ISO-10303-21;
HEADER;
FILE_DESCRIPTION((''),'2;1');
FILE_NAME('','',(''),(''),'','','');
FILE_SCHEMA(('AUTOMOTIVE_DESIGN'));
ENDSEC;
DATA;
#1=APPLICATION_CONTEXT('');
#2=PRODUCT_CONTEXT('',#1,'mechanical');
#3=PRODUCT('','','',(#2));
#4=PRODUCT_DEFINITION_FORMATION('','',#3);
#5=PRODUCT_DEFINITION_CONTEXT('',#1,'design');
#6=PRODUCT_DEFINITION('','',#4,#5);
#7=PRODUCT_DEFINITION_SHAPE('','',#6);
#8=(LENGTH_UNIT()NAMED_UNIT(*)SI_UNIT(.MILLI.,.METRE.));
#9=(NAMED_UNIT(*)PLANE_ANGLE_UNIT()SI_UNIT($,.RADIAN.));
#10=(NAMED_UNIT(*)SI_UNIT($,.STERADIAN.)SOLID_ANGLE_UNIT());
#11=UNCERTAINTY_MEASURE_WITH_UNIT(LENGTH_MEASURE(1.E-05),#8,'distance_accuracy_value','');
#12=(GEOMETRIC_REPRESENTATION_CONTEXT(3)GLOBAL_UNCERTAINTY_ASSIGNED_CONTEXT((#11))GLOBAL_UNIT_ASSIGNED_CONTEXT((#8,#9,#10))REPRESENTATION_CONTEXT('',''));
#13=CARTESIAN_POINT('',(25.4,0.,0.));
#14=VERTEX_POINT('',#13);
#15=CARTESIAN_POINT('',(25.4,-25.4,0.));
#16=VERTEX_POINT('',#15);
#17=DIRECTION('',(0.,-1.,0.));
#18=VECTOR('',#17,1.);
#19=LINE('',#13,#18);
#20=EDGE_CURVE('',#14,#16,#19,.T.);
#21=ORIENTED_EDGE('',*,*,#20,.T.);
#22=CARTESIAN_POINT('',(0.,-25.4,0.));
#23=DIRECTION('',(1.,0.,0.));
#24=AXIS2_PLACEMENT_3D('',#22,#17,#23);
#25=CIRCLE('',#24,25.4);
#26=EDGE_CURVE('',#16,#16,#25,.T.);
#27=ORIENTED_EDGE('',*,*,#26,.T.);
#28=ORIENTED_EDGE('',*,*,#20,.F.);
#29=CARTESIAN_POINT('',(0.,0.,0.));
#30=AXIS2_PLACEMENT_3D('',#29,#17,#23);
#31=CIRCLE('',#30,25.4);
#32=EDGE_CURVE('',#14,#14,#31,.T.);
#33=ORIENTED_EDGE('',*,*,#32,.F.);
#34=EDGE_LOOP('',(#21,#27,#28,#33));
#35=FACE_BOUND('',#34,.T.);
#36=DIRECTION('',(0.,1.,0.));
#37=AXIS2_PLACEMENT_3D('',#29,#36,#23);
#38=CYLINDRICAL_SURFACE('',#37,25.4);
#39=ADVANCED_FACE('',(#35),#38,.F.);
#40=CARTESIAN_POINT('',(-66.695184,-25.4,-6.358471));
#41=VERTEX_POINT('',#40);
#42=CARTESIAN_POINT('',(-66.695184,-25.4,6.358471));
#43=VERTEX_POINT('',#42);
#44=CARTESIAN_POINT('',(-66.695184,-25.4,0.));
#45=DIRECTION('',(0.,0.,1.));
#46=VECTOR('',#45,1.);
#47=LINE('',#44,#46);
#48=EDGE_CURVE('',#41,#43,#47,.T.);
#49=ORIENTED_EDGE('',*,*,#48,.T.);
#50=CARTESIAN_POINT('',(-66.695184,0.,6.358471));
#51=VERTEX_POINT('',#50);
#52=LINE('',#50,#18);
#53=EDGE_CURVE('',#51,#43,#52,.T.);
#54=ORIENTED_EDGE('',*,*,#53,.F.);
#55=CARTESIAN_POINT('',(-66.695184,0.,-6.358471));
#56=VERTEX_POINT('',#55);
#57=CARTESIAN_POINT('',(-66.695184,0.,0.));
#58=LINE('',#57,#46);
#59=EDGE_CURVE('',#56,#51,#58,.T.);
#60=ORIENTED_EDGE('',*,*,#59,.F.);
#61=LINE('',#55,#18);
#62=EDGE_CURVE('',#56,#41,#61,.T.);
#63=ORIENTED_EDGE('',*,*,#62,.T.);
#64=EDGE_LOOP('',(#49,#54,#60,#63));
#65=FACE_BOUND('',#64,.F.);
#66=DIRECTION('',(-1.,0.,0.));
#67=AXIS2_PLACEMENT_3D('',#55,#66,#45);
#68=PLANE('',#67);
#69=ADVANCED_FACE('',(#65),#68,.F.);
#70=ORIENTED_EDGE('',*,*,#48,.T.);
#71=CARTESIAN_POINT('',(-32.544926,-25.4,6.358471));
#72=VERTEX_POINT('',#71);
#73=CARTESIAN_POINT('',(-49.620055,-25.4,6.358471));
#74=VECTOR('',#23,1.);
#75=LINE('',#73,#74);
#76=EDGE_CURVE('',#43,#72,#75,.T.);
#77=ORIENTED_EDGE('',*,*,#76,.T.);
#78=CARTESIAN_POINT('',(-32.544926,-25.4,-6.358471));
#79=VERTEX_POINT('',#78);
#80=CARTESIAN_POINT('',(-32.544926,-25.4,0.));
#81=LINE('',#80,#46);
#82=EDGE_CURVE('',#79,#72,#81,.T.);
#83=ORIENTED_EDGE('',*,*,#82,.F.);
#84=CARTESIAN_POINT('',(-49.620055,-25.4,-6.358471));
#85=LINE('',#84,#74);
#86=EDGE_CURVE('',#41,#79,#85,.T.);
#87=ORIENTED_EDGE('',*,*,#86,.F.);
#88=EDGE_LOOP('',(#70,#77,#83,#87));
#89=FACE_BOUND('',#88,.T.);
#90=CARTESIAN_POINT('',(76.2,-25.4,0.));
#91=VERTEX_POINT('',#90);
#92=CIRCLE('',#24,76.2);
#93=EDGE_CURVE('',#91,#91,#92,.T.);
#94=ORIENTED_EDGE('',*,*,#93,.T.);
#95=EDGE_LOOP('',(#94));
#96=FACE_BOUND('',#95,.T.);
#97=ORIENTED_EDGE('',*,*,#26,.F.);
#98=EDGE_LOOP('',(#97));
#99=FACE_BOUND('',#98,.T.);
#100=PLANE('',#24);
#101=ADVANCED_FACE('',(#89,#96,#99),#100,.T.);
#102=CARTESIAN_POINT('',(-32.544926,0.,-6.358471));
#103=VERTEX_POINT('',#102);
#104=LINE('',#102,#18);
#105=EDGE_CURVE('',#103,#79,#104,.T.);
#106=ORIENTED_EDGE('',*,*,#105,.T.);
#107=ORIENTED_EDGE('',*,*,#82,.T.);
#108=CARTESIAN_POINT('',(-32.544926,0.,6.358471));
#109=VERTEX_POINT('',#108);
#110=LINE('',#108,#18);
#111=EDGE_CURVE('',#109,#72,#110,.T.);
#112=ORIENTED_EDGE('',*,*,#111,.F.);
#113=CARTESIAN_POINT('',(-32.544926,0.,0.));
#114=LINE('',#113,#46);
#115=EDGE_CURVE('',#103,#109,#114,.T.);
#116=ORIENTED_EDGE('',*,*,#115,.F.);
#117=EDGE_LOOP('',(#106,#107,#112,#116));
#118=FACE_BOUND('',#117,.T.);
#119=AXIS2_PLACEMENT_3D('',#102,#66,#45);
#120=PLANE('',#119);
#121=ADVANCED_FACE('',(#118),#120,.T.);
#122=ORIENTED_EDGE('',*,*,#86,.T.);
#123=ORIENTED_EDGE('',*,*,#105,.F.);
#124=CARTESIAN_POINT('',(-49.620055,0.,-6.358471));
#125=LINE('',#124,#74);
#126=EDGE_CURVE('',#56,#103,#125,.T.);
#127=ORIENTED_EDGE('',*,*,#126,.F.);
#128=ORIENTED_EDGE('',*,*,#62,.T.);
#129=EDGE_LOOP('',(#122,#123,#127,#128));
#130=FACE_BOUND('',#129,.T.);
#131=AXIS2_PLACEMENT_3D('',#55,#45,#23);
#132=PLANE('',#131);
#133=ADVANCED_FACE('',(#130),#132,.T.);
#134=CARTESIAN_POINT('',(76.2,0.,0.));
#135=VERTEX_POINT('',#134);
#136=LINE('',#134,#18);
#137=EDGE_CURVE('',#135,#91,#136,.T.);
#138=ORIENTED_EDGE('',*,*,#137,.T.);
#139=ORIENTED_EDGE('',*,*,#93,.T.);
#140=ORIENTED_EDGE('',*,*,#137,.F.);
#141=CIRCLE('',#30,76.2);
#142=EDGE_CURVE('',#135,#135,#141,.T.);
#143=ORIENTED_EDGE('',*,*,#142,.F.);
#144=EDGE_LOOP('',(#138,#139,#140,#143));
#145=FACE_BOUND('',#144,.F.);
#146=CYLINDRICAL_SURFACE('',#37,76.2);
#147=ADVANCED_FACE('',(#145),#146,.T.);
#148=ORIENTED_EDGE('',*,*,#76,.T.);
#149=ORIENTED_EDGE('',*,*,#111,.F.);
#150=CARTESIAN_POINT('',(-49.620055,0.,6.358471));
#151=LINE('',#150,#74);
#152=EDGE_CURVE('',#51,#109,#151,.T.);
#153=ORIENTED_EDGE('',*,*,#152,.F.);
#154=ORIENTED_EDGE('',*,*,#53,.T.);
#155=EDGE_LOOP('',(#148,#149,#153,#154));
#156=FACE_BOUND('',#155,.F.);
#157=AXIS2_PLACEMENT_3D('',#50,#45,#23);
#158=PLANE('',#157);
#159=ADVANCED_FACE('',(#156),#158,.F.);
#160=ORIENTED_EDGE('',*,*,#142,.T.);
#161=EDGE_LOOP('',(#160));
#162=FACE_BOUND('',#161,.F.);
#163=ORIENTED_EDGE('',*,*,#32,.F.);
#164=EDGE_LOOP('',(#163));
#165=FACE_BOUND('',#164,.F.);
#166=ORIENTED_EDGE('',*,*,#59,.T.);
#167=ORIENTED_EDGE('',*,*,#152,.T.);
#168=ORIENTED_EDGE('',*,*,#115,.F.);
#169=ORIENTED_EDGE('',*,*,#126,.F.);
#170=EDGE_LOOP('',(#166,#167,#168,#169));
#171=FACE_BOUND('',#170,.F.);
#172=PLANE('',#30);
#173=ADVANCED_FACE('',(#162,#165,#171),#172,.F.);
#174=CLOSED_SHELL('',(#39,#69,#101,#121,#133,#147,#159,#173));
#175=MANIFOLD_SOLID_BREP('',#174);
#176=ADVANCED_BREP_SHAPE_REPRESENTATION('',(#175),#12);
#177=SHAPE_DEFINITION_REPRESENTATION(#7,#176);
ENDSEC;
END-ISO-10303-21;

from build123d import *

# Parameters (mm, degrees)
F0_R     = 76.2
F0_W     = 34.150258
F0_H     = 12.716942
F0_R_2   = 25.4
F1_DEPTH = 25.4


with BuildPart() as f1:
    # F0 (on Front) → F1 (new body)
    with BuildSketch(Plane.XZ):
        Circle(F0_R)
        with Locations((-49.620055, 0)):
            Rectangle(F0_W, F0_H, mode=Mode.SUBTRACT)
        Circle(F0_R_2, mode=Mode.SUBTRACT)
    extrude(amount=F1_DEPTH)


solid = f1.part
